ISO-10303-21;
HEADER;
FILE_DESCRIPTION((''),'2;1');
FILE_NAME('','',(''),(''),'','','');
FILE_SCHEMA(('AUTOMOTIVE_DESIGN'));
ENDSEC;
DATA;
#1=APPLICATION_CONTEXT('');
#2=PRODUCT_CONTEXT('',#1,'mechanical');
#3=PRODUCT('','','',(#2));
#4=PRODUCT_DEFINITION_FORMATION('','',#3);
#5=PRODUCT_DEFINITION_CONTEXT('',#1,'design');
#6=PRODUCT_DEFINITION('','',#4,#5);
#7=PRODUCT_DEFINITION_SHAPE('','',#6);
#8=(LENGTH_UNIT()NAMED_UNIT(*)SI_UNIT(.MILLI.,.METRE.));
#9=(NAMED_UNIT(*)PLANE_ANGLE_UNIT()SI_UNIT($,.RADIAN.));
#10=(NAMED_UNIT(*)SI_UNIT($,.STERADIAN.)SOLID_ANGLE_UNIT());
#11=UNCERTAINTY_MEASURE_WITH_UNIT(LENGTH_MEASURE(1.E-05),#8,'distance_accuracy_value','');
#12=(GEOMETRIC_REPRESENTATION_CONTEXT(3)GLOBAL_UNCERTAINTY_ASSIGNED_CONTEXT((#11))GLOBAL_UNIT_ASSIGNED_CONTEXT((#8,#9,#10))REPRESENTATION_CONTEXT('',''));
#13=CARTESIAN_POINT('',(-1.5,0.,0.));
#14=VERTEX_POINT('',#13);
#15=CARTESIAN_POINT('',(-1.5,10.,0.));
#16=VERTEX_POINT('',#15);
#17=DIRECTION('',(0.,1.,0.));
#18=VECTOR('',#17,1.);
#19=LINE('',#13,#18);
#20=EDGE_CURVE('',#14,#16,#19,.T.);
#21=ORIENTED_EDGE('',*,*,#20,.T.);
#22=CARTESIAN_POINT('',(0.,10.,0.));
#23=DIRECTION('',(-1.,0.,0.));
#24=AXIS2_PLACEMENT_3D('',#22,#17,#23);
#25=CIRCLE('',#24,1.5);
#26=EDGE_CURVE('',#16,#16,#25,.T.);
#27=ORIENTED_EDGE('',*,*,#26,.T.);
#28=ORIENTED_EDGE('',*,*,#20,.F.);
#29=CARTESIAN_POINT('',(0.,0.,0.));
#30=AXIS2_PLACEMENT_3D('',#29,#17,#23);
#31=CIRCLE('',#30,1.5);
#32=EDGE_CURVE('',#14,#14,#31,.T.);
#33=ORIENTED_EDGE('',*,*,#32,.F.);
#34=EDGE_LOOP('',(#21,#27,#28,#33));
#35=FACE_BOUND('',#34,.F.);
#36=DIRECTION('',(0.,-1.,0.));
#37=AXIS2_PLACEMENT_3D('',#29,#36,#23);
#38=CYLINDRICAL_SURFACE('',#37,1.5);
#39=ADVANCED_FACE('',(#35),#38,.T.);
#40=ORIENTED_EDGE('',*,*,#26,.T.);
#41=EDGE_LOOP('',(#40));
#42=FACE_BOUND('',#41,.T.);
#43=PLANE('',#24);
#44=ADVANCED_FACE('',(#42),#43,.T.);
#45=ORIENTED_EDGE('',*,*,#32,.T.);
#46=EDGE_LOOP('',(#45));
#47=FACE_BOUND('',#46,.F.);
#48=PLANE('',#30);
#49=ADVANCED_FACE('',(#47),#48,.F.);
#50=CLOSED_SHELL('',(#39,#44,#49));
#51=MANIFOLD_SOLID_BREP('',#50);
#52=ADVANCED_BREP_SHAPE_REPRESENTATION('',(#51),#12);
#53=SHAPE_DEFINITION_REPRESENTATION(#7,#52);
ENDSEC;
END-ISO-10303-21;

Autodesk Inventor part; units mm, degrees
ref_plane "YZ Plane" through (0, 0, 0) normal (1, 0, 0) x (0, 1, 0)
ref_plane "XZ Plane" through (0, 0, 0) normal (0, 1, 0) x (-1, 0, 0)
ref_plane "XY Plane" through (0, 0, 0) normal (0, 0, 1) x (1, 0, 0)
sketch "Sketch4" plane through (0, 0, 0) normal (0, 1, 0) x (-1, 0, 0)
  circle A0 centre (0, 0) radius 1.5
  dimension "d6" = 3
extrude "Extrusion3" add sketch "Sketch4" along normal blind 10
properties part number "10mm Standoff" material "Nylon 6/6"
